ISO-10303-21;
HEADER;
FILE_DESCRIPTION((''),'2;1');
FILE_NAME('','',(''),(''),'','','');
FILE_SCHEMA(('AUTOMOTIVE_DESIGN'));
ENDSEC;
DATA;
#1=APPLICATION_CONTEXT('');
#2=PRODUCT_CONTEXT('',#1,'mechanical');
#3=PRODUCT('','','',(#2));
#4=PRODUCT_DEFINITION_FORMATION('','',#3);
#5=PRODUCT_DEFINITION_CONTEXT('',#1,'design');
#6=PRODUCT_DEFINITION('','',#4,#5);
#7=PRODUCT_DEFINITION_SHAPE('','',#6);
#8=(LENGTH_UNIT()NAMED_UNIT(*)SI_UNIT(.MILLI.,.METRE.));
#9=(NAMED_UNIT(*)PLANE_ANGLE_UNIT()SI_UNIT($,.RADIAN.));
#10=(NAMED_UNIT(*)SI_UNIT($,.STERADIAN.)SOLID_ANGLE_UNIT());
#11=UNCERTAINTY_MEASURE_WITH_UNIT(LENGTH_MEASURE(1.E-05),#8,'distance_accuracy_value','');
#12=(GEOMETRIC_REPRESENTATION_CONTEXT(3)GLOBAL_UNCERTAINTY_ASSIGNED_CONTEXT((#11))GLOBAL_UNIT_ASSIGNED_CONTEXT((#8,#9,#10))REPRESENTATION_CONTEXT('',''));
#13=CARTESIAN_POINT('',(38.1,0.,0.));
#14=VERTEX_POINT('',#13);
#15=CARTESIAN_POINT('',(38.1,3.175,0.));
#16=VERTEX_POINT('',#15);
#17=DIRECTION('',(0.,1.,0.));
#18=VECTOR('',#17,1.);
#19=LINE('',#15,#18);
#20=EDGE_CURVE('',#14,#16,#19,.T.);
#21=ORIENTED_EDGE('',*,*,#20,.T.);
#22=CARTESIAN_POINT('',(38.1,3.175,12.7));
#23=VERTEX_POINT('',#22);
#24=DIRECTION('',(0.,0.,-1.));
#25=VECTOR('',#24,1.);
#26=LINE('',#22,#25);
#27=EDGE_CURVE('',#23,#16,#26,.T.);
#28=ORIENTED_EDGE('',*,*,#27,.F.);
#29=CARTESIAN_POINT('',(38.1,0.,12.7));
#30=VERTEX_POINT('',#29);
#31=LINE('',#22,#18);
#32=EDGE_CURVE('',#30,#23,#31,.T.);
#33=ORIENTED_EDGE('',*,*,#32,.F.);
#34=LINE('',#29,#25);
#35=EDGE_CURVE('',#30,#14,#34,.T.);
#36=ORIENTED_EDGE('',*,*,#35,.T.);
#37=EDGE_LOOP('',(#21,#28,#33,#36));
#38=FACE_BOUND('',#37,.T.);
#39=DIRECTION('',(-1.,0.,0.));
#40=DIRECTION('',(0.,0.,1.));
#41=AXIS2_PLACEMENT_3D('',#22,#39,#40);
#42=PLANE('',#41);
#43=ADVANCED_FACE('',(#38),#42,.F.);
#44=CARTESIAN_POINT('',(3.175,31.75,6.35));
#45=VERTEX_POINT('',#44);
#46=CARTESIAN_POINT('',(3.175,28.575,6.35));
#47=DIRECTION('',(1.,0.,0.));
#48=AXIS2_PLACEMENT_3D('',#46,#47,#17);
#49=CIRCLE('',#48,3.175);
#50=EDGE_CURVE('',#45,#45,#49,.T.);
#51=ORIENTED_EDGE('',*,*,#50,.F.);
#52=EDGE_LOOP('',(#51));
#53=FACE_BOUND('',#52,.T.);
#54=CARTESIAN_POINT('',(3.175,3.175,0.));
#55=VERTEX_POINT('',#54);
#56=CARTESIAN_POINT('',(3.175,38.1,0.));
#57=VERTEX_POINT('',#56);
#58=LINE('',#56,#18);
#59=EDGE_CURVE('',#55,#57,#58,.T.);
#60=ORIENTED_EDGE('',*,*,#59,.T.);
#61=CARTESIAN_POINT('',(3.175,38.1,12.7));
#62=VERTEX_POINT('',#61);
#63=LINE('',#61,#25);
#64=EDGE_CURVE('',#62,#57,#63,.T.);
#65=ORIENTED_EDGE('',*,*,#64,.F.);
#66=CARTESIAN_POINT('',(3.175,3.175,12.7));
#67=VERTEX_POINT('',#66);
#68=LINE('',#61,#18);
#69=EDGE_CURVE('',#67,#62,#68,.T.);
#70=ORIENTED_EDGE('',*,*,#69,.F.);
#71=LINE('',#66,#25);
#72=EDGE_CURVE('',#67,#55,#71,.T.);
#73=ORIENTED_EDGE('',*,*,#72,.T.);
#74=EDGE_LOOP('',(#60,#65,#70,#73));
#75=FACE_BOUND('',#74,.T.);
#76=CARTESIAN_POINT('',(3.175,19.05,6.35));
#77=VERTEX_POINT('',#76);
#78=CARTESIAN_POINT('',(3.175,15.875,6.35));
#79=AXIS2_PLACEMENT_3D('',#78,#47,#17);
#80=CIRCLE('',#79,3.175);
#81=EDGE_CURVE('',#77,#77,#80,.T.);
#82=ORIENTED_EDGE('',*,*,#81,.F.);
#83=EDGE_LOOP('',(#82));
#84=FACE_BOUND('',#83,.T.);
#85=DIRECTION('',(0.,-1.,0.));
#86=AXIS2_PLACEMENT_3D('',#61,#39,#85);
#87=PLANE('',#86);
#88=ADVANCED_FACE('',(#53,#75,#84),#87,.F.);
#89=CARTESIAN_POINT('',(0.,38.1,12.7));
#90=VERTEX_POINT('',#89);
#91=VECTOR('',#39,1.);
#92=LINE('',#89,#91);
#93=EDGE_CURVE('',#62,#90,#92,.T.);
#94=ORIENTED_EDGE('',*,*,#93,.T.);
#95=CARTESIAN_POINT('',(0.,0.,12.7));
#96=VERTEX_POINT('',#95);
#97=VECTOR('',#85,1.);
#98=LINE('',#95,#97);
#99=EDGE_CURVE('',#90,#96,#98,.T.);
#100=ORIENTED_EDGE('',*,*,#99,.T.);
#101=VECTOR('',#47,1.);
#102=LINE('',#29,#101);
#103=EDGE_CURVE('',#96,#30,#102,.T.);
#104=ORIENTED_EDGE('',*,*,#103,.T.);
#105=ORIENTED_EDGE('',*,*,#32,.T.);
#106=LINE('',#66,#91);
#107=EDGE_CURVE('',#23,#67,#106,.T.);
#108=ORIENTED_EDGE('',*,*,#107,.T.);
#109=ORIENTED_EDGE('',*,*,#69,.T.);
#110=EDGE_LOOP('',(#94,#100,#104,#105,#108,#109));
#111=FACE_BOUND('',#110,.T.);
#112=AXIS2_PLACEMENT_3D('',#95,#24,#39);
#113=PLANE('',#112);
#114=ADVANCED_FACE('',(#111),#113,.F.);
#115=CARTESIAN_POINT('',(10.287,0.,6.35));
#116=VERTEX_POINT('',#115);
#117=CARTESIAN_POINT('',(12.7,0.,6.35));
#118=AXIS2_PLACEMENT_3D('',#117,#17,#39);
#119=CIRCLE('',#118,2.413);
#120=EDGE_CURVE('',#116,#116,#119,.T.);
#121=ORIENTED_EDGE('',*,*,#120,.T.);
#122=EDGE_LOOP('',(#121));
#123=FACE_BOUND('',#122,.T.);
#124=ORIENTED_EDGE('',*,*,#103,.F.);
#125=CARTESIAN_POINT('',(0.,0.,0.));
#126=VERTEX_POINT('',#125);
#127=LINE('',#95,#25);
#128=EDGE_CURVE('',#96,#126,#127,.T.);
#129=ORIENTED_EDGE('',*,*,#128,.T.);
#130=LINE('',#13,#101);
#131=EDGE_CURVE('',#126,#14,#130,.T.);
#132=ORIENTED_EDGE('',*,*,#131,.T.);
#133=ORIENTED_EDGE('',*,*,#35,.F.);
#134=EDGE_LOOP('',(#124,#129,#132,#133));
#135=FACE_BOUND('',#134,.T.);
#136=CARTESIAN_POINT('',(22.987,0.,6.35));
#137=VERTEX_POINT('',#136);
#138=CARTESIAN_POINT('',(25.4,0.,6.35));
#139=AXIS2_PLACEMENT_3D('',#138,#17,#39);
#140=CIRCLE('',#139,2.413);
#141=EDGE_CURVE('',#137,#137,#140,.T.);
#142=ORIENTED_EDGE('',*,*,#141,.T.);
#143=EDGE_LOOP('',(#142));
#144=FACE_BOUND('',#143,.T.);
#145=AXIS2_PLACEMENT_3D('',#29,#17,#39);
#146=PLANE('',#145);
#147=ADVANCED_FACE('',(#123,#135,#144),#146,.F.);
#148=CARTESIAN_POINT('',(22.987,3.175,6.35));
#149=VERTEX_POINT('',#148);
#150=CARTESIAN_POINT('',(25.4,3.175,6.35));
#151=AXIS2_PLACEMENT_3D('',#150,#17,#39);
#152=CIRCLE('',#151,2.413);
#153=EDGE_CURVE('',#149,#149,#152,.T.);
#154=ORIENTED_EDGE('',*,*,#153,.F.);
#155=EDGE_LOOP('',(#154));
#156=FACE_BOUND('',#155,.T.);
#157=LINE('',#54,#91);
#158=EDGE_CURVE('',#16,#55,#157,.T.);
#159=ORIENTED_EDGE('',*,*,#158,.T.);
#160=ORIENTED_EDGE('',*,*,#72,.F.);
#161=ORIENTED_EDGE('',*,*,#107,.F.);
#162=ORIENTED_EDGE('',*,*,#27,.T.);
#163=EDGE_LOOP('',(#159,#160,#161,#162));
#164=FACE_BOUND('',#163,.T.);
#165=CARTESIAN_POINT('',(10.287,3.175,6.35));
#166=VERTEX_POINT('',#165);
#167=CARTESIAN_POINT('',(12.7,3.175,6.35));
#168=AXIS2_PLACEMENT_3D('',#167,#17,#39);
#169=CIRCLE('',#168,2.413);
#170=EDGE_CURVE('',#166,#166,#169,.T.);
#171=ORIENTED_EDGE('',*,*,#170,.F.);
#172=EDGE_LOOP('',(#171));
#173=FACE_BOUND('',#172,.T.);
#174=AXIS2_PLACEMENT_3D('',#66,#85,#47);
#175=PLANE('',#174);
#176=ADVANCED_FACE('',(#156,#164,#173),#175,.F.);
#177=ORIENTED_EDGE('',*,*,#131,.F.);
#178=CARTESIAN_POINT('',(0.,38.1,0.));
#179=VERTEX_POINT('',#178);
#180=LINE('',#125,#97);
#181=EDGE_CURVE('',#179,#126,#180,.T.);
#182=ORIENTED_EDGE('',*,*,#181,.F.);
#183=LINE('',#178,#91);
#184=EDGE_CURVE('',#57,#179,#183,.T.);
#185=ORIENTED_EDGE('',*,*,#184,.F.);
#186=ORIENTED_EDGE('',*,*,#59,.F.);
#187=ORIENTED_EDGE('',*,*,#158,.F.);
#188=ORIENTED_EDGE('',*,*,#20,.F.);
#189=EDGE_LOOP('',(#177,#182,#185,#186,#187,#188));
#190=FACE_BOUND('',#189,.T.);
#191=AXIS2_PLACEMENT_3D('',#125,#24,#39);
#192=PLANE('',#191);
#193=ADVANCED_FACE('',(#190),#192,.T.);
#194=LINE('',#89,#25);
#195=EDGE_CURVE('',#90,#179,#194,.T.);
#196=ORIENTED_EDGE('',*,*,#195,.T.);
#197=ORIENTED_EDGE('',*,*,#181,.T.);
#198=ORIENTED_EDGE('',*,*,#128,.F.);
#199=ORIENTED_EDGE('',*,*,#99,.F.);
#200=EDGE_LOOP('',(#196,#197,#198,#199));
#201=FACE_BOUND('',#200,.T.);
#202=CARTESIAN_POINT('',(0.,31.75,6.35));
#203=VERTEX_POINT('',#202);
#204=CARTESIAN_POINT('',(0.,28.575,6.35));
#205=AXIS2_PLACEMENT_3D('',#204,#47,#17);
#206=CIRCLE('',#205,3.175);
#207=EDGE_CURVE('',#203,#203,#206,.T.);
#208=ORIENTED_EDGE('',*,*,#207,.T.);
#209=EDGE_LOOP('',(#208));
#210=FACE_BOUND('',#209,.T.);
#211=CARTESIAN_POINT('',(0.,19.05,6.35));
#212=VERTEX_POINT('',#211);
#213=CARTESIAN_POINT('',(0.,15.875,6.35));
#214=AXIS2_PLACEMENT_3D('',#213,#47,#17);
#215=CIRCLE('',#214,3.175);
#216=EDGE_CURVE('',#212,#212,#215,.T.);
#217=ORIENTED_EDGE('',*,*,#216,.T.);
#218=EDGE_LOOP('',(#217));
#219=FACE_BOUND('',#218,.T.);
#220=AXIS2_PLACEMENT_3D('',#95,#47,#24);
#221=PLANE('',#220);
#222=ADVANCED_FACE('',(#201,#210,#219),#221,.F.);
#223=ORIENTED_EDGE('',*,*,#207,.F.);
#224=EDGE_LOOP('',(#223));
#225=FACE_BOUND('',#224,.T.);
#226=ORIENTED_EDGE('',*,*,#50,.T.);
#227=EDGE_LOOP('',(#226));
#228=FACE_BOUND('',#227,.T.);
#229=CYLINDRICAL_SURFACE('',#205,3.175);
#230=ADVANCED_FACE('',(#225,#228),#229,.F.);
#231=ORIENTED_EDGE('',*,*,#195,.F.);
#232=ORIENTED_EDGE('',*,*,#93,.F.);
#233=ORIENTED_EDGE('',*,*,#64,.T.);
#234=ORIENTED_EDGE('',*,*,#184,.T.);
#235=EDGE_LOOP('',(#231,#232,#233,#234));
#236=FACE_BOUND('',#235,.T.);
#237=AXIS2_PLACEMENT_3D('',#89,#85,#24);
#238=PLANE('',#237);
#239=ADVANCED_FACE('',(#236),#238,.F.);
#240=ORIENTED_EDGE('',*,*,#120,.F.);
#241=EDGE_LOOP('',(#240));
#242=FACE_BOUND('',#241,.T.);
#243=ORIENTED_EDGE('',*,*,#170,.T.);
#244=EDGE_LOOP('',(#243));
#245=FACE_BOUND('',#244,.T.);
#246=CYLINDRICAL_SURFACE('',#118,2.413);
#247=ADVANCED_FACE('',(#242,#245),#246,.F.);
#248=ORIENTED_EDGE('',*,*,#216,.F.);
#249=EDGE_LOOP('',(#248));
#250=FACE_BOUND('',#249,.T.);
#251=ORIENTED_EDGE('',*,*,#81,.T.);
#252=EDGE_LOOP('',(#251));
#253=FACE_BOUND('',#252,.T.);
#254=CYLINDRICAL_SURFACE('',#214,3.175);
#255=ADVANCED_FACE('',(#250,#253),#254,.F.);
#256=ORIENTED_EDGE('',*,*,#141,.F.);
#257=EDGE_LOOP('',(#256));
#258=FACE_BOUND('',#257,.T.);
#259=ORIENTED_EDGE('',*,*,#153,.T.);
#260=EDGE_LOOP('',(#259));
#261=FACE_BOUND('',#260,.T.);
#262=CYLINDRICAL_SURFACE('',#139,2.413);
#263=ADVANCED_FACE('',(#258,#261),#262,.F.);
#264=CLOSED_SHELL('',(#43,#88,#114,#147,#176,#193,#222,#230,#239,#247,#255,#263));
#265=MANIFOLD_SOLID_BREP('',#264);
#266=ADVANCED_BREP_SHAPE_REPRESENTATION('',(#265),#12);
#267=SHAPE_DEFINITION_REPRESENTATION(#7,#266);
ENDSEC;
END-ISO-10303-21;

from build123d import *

# Parameters (mm, degrees)
BOSS_EXTRUDE1_DEPTH = 12.7
SKETCH2_R           = 2.413
CUT_EXTRUDE1_DEPTH  = 4.175
SKETCH3_R           = 3.175
CUT_EXTRUDE2_DEPTH  = 4.175


with BuildPart() as part:
    # Sketch1 → Boss-Extrude1 (new body)
    with BuildSketch(Plane.XY):
        Polygon((0, 0), (0, 38.1), (3.175, 38.1), (3.175, 3.175), (38.1, 3.175), (38.1, 0), align=None)
    extrude(amount=BOSS_EXTRUDE1_DEPTH)

    # Sketch2 → Cut-Extrude1 (cut, through all)
    with BuildSketch(Plane(origin=(0, 3.175, 0), x_dir=(1, 0, 0), z_dir=(0, 1, 0))):
        with Locations((12.7, -6.35)):
            Circle(SKETCH2_R)
        with Locations((25.4, -6.35)):
            Circle(SKETCH2_R)
    extrude(amount=-CUT_EXTRUDE1_DEPTH, mode=Mode.SUBTRACT)

    # Sketch3 → Cut-Extrude2 (cut, through all)
    with BuildSketch(Plane(origin=(3.175, 0, 0), x_dir=(0, 0, -1), z_dir=(1, 0, 0))):
        with Locations((-6.35, 28.575)):
            Circle(SKETCH3_R)
        with Locations((-6.35, 15.875)):
            Circle(SKETCH3_R)
    extrude(amount=-CUT_EXTRUDE2_DEPTH, mode=Mode.SUBTRACT)


solid = part.part
